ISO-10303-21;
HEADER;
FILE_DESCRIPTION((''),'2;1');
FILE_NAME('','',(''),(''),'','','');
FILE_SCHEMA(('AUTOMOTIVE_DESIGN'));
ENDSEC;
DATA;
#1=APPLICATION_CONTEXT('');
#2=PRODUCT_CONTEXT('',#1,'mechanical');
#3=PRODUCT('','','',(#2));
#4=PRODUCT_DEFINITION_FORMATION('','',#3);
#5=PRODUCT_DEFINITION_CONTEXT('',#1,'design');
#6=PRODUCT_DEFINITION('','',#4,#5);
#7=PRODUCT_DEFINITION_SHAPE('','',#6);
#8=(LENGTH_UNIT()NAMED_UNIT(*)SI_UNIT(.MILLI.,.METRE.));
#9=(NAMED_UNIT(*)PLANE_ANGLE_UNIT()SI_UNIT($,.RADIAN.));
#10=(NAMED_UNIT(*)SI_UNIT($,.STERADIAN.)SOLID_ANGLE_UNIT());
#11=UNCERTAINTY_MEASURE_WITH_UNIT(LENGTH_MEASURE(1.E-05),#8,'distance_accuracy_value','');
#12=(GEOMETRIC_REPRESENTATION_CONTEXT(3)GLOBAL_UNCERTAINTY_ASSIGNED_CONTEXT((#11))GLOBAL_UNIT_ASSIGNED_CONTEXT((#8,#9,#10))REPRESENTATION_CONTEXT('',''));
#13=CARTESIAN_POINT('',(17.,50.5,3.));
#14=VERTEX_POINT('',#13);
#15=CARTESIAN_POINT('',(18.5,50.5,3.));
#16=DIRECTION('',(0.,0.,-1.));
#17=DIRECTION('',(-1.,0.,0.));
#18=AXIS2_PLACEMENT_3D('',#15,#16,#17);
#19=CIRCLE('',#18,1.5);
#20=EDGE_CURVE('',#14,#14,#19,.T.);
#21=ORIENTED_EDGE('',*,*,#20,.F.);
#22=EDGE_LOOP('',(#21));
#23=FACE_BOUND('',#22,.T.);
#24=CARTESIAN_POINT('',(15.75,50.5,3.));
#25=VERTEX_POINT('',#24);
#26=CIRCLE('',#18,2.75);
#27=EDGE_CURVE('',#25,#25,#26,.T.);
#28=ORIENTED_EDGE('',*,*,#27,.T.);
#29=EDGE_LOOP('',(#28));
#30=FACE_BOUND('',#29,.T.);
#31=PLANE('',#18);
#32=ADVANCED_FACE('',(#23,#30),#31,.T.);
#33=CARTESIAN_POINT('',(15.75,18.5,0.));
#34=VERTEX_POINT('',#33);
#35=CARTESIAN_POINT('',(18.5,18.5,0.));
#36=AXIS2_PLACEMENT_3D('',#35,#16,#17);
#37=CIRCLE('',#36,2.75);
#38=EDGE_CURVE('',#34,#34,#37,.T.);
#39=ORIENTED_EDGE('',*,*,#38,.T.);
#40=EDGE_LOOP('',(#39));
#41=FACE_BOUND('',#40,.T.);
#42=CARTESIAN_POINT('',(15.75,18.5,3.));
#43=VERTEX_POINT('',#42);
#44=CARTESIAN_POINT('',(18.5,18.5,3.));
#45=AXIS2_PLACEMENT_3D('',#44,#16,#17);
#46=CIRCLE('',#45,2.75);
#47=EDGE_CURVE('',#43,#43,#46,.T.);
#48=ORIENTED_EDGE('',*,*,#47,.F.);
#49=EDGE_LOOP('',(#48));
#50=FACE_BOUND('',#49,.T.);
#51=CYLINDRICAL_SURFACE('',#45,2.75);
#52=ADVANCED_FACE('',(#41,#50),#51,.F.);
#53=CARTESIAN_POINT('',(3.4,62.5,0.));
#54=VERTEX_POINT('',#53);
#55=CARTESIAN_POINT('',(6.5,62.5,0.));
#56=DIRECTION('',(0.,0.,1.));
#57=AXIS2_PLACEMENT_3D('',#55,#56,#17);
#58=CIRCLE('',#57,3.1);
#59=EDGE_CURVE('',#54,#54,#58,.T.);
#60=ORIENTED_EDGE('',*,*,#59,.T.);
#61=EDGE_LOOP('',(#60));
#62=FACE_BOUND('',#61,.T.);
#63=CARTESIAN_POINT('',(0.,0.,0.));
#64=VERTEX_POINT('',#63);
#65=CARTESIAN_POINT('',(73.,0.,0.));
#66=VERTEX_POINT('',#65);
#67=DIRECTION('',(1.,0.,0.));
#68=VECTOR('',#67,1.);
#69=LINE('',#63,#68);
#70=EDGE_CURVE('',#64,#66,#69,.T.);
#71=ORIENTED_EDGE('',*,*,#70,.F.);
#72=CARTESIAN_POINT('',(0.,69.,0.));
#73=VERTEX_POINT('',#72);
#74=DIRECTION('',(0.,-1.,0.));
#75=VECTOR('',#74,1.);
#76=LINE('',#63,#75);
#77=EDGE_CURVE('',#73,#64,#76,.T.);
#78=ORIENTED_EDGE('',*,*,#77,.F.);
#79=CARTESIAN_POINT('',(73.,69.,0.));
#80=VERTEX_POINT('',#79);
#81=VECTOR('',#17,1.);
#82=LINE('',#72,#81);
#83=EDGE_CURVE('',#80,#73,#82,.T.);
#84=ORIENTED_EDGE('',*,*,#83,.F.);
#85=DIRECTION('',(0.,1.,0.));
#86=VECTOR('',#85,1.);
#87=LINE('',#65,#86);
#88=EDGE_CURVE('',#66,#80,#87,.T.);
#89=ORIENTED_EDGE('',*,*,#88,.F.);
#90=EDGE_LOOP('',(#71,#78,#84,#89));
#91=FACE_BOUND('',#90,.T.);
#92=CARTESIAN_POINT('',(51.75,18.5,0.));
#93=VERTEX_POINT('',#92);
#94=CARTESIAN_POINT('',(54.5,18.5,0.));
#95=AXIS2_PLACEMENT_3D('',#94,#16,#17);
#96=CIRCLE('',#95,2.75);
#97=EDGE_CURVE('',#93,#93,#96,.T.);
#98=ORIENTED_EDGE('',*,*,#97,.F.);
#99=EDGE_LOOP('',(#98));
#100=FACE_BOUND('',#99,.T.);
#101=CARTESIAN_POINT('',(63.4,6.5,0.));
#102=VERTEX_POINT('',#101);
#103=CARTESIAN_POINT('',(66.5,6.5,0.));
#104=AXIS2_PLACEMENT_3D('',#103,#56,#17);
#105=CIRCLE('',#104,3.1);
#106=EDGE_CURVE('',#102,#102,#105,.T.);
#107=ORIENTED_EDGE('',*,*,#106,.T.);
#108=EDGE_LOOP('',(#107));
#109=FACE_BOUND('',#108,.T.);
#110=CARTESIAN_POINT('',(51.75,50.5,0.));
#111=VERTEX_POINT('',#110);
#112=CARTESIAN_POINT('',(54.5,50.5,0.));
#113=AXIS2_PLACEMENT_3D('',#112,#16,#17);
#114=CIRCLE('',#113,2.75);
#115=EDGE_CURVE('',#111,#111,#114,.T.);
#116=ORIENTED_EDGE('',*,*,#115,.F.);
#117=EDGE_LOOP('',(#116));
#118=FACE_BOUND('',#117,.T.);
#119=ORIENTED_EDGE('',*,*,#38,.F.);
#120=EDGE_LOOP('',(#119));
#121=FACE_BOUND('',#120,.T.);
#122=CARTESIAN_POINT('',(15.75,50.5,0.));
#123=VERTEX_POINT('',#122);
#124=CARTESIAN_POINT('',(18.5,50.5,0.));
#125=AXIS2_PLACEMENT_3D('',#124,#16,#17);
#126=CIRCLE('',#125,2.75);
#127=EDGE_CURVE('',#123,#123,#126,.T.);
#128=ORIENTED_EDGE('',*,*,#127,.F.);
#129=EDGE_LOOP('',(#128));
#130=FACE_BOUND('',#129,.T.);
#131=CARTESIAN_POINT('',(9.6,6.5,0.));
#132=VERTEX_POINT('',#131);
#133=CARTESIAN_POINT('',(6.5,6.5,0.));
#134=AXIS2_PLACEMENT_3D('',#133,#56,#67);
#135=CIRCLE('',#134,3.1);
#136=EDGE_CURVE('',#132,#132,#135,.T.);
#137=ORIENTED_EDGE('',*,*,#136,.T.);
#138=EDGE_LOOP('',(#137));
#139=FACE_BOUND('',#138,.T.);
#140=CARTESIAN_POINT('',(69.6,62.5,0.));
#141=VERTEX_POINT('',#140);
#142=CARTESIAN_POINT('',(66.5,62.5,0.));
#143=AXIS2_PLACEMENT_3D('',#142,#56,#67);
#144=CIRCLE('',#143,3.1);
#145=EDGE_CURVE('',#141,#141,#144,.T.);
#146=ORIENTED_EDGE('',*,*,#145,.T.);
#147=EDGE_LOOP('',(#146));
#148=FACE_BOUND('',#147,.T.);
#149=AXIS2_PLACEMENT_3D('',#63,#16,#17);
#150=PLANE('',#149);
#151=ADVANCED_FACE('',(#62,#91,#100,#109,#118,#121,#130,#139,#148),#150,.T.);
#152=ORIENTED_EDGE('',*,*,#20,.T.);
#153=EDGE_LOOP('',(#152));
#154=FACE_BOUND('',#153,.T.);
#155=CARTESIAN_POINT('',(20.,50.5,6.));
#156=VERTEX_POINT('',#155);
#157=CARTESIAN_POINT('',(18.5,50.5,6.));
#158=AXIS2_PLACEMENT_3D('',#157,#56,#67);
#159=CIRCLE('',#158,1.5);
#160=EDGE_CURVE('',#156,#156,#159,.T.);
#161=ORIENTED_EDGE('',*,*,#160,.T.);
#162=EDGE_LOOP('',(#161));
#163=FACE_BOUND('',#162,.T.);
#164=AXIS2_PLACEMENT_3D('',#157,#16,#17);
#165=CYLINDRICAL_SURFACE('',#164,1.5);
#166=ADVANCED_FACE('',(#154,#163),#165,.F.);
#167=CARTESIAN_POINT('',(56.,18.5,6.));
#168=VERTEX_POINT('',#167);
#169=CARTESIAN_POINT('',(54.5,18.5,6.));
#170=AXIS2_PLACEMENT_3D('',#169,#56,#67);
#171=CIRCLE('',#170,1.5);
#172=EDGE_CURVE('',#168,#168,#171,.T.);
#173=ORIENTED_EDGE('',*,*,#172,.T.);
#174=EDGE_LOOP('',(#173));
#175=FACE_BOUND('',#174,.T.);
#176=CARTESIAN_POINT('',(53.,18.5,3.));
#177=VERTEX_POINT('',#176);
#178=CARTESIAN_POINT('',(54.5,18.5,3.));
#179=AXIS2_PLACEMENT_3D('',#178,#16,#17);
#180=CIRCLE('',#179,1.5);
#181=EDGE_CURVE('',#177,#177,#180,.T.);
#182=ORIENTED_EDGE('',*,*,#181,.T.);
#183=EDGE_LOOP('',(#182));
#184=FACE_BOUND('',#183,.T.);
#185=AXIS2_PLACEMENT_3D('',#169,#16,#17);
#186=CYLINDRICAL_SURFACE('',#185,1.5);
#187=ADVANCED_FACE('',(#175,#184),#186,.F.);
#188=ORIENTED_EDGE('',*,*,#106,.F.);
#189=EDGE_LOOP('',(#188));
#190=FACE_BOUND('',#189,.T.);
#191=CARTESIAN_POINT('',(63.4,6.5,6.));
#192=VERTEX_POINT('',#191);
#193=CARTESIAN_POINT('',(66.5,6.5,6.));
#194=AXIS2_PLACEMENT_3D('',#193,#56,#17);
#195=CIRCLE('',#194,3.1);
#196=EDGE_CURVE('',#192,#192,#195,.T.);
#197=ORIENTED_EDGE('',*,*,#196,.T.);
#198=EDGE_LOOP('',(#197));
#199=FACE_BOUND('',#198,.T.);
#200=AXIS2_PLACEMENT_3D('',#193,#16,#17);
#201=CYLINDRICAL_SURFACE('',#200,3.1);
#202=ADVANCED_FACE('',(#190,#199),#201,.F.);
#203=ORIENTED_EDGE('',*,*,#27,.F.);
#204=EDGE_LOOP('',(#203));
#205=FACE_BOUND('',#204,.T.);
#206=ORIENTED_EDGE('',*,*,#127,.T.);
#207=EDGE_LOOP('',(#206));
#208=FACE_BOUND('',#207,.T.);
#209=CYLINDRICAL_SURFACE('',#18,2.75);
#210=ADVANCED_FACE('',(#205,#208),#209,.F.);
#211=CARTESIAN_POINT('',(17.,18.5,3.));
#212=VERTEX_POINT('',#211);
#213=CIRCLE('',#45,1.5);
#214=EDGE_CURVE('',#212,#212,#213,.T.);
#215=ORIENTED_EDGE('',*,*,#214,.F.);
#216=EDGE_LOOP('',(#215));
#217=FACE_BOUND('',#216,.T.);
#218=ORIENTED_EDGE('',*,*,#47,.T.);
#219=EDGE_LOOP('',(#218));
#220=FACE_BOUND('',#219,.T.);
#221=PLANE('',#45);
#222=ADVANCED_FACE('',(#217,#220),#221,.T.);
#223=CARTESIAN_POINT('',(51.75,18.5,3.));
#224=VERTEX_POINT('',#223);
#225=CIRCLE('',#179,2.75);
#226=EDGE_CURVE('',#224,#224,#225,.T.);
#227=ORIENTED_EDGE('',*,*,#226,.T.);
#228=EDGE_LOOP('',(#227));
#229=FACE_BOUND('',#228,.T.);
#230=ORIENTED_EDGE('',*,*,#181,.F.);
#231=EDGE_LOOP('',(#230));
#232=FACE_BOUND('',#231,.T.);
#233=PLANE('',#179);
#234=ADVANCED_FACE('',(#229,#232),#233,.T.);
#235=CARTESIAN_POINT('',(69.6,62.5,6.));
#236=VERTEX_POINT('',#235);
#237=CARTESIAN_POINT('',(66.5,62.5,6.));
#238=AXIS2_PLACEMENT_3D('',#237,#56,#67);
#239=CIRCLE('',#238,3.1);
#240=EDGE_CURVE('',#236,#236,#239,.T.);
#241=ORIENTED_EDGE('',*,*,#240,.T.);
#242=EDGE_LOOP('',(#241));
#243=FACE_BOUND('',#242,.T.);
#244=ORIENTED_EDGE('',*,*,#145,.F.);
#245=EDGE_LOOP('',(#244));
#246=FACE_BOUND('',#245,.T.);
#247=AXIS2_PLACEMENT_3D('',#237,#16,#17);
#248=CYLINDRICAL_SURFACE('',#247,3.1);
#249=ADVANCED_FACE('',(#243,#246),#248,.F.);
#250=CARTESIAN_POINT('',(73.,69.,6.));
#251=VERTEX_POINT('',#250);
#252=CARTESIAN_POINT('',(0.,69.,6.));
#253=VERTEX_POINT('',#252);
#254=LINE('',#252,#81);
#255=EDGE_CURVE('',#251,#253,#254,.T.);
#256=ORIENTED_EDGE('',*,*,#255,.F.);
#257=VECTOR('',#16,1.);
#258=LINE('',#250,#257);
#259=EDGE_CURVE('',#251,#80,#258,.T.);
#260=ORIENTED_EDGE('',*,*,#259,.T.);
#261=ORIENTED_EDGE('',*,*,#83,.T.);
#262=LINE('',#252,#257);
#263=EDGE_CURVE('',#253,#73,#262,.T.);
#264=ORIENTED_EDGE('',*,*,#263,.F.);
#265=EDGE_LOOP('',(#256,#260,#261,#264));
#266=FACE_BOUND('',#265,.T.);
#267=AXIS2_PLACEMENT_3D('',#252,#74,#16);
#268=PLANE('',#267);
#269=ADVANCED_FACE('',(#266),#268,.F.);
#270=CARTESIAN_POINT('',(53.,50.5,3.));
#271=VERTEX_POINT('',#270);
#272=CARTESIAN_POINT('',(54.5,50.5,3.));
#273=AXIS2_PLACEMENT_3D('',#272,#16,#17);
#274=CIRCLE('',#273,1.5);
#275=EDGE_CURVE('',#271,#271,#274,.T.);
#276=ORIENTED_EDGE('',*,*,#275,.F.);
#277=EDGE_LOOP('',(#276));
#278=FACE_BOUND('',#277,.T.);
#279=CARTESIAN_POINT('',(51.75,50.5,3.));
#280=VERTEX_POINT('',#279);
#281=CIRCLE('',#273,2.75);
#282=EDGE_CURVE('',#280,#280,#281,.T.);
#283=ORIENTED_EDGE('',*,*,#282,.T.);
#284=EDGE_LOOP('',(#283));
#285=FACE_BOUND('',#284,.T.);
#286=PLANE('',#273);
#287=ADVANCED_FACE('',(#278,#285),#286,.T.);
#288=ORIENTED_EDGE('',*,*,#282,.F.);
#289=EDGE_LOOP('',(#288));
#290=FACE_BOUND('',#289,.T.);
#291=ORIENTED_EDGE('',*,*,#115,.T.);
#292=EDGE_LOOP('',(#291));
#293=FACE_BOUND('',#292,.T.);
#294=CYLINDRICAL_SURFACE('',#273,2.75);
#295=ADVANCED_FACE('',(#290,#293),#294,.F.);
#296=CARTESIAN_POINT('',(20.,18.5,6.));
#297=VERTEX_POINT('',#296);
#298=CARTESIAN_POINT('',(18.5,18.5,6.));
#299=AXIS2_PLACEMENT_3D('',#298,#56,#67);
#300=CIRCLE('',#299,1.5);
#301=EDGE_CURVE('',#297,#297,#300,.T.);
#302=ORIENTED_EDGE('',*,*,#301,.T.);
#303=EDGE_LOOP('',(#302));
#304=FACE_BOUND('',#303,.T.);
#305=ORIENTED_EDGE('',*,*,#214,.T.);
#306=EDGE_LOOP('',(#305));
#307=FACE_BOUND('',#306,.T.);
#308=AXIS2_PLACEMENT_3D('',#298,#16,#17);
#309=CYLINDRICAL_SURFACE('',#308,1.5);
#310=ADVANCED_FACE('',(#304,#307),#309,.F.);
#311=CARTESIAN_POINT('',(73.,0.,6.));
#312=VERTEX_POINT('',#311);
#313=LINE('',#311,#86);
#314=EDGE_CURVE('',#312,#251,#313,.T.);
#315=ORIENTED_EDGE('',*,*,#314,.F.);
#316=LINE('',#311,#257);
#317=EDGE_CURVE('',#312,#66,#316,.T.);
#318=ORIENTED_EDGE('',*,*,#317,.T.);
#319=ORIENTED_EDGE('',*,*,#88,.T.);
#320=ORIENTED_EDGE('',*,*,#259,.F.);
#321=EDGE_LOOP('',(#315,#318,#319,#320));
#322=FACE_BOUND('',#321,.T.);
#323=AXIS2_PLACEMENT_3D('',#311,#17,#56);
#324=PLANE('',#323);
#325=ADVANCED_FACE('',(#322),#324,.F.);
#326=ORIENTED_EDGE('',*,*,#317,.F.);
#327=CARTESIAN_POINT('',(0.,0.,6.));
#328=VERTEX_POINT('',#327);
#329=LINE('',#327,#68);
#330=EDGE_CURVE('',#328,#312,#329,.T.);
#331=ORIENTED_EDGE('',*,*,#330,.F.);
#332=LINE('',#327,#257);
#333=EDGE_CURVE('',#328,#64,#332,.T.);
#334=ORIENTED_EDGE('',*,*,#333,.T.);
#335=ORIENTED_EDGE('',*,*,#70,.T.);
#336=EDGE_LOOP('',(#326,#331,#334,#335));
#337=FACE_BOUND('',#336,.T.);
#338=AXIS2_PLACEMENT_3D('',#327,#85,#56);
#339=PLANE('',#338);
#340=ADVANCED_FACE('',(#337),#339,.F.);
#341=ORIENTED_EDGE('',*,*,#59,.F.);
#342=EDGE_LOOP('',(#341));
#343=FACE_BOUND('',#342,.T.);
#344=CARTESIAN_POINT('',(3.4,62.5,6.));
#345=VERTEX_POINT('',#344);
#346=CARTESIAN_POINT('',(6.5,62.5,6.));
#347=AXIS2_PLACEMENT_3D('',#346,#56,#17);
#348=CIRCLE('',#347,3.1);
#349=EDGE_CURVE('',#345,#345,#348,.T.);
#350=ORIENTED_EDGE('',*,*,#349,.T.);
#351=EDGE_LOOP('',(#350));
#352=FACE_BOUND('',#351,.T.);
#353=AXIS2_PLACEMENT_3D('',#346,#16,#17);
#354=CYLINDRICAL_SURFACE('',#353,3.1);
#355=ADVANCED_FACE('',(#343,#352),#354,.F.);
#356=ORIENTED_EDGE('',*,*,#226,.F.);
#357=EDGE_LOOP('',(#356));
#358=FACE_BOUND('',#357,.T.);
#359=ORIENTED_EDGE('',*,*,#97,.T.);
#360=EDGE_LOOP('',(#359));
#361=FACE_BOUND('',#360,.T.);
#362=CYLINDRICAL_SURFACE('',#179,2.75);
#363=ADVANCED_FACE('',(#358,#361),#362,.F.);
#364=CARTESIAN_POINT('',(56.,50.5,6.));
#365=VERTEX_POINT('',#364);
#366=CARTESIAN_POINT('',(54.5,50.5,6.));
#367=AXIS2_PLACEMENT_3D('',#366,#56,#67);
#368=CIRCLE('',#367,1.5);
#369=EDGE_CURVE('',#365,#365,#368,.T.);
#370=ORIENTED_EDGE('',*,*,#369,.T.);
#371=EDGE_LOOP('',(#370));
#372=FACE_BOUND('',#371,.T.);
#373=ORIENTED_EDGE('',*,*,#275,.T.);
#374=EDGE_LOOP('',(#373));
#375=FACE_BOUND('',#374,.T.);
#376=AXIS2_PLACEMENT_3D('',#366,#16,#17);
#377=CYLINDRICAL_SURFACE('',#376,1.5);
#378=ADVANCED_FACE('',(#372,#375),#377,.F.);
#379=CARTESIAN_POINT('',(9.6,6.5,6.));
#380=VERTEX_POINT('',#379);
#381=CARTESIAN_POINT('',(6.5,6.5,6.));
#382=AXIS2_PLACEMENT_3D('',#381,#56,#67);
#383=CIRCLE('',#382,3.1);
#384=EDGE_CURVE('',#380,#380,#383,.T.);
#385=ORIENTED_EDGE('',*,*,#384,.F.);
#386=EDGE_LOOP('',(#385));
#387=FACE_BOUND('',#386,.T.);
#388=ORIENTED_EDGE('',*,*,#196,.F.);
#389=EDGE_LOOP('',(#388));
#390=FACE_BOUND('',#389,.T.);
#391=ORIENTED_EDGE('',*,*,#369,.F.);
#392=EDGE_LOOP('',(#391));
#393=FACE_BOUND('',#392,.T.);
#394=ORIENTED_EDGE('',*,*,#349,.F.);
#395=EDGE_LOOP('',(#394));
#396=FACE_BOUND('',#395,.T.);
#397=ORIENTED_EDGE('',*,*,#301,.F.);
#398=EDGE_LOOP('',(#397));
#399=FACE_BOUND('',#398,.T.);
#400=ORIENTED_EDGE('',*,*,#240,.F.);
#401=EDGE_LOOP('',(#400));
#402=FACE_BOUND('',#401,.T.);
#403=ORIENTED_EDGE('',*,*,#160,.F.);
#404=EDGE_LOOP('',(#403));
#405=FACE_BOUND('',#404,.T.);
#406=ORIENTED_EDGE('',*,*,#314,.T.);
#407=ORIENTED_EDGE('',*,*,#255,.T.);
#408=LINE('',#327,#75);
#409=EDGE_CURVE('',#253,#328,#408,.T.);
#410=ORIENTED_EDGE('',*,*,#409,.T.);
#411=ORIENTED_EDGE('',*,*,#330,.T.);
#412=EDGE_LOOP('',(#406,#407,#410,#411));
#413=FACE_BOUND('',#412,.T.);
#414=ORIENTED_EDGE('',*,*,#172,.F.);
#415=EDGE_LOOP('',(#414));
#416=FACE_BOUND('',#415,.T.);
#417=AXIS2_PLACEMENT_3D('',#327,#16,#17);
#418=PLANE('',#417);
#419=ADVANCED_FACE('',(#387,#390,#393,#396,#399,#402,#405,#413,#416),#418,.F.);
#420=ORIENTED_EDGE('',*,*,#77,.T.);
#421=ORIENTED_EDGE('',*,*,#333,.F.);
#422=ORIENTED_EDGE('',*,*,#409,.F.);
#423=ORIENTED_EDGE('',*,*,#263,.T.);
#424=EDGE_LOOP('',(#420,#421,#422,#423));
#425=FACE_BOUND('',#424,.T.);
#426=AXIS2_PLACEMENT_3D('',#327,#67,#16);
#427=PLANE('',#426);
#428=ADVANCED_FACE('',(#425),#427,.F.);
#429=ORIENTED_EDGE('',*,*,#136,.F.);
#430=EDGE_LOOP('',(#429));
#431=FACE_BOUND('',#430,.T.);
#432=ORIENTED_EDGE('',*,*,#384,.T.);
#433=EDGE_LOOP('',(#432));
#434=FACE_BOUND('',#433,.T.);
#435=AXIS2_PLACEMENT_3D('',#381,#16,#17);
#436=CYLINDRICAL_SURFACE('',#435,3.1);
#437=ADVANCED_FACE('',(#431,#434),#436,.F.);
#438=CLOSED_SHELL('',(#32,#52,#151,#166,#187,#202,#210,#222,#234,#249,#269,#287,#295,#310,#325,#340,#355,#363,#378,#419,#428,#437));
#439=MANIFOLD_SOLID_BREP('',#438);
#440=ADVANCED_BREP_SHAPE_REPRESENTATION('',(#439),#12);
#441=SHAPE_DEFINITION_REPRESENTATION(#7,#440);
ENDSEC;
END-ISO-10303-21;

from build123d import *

# Parameters (mm, degrees)
CROQUIS1_W              = 73
CROQUIS1_H              = 69
CROQUIS1_R              = 3.1
CROQUIS1_R_2            = 1.5
SALIENTE_EXTRUIR1_DEPTH = 6
CROQUIS2_R              = 2.75
CORTAR_EXTRUIR1_DEPTH   = 3


with BuildPart() as part:
    # Croquis1 → Saliente-Extruir1 (new body)
    with BuildSketch(Plane.XY):
        with Locations((36.5, 34.5)):
            Rectangle(CROQUIS1_W, CROQUIS1_H)
        with Locations((6.5, 6.5)):
            Circle(CROQUIS1_R, mode=Mode.SUBTRACT)
        with Locations((66.5, 6.5)):
            Circle(CROQUIS1_R, mode=Mode.SUBTRACT)
        with Locations((66.5, 62.5)):
            Circle(CROQUIS1_R, mode=Mode.SUBTRACT)
        with Locations((6.5, 62.5)):
            Circle(CROQUIS1_R, mode=Mode.SUBTRACT)
        with Locations((18.5, 50.5)):
            Circle(CROQUIS1_R_2, mode=Mode.SUBTRACT)
        with Locations((54.5, 50.5)):
            Circle(CROQUIS1_R_2, mode=Mode.SUBTRACT)
        with Locations((54.5, 18.5)):
            Circle(CROQUIS1_R_2, mode=Mode.SUBTRACT)
        with Locations((18.5, 18.5)):
            Circle(CROQUIS1_R_2, mode=Mode.SUBTRACT)
    extrude(amount=SALIENTE_EXTRUIR1_DEPTH)

    # Croquis2 → Cortar-Extruir1 (cut)
    with BuildSketch(Plane(origin=(0, 0, 0), x_dir=(-1, 0, 0), z_dir=(0, 0, -1))):
        with Locations((-54.5, 50.5)):
            Circle(CROQUIS2_R)
        with Locations((-18.5, 50.5)):
            Circle(CROQUIS2_R)
        with Locations((-18.5, 18.5)):
            Circle(CROQUIS2_R)
        with Locations((-54.5, 18.5)):
            Circle(CROQUIS2_R)
    extrude(amount=-CORTAR_EXTRUIR1_DEPTH, mode=Mode.SUBTRACT)


solid = part.part
